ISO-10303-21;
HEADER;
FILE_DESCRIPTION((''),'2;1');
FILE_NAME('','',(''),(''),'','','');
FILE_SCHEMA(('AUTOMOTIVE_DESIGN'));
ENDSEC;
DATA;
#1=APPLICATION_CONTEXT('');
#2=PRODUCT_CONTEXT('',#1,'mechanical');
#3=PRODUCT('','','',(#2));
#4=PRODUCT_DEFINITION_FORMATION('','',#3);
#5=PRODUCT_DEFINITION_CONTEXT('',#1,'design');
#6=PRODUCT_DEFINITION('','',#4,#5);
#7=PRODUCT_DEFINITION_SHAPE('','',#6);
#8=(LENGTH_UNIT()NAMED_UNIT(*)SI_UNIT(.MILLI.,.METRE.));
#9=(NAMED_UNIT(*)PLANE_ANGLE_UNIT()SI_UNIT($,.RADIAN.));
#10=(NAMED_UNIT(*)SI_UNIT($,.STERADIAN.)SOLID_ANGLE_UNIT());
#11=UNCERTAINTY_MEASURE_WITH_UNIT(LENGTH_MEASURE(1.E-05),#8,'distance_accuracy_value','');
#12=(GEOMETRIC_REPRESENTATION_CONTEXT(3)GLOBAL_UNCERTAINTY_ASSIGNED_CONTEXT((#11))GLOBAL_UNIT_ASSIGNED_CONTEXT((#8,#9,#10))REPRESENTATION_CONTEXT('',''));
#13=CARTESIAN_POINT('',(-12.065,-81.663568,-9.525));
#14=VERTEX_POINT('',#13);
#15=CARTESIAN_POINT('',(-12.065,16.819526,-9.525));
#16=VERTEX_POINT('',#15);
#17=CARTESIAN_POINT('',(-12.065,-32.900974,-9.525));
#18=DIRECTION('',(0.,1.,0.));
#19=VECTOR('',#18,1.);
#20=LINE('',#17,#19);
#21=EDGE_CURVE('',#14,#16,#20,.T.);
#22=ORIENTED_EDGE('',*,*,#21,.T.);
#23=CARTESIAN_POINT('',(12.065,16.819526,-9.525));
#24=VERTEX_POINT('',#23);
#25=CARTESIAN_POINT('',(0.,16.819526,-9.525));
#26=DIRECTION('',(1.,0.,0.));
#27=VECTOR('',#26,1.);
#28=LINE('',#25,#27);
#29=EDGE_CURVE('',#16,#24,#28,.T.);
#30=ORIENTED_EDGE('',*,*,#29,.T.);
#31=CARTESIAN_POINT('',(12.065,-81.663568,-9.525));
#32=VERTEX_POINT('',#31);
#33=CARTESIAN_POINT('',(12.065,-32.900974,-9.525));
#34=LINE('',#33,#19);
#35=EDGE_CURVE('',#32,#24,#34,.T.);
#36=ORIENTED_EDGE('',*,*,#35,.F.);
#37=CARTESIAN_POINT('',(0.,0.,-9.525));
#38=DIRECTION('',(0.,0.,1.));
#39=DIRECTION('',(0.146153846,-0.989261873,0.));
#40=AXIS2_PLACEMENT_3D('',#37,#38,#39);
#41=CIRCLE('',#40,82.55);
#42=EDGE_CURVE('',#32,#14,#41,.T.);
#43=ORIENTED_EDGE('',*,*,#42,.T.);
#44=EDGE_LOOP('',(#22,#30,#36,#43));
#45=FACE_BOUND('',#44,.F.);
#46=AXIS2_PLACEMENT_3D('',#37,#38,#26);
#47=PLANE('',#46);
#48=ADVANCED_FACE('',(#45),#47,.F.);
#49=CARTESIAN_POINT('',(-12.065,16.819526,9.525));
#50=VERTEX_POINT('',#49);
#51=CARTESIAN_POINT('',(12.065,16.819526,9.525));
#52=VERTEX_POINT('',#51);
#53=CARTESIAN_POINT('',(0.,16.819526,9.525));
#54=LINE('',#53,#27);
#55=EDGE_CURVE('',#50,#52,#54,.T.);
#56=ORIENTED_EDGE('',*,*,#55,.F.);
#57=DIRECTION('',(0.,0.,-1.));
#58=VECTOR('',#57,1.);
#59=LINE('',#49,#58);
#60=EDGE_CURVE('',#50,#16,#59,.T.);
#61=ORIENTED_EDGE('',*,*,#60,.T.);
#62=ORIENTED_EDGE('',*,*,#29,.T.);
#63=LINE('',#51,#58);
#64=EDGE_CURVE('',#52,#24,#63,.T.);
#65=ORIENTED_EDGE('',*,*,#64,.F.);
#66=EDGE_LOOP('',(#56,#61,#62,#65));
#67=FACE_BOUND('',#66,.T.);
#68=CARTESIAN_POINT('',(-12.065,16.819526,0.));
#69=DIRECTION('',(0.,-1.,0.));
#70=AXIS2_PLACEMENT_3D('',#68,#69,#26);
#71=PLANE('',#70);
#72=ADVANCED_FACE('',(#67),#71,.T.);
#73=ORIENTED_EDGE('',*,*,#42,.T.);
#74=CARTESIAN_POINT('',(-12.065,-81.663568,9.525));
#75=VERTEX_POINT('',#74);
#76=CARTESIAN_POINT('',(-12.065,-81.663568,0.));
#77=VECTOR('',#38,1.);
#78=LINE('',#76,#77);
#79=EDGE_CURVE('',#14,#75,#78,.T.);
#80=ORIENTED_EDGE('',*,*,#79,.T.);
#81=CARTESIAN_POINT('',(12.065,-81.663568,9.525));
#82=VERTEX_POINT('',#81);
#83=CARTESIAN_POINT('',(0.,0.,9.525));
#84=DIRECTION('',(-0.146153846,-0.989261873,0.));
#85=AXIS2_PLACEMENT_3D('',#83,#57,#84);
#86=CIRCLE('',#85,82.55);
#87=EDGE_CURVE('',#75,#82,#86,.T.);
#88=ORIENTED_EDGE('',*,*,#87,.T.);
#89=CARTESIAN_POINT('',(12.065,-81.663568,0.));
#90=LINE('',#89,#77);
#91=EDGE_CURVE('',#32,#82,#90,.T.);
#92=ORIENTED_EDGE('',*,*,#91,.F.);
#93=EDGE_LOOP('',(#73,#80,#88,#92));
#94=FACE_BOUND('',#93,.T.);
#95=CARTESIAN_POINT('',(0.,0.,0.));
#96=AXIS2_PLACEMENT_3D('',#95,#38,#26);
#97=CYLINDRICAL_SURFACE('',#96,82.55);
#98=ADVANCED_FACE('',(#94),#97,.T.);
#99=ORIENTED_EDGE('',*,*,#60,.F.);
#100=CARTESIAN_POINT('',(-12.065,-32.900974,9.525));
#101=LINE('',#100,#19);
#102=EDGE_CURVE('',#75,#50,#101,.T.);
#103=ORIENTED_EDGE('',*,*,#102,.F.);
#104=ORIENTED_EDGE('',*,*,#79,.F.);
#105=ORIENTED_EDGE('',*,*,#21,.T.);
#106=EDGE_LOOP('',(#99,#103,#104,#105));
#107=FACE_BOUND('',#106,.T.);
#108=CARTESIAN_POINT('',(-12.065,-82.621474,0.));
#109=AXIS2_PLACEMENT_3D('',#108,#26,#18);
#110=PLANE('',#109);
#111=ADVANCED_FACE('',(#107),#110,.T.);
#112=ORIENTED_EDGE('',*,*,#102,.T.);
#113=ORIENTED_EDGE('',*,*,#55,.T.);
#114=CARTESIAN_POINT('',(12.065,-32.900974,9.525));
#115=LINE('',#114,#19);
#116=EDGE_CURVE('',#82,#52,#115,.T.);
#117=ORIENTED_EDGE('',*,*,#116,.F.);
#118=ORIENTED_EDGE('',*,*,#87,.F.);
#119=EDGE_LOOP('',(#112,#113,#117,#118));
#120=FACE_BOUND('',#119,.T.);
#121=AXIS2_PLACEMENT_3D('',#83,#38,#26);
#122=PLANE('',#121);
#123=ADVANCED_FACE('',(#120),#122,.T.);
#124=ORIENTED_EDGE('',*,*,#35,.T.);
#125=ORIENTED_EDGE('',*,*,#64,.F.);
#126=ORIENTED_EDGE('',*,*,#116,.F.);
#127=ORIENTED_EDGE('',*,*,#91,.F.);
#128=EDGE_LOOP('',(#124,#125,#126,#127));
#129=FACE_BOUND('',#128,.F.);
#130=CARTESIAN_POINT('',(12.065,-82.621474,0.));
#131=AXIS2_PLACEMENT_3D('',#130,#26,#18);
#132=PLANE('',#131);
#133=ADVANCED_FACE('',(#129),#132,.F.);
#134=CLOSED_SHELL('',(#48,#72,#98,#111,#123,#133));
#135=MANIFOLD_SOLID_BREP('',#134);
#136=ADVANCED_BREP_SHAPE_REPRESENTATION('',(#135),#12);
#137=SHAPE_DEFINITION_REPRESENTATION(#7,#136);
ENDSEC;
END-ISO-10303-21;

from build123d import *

# Parameters (mm, degrees)
F0_R     = 82.55
F1_DEPTH = 9.525
F2_W     = 24.13
F2_H     = 99.441
F3_DEPTH = 9.525


with BuildPart() as f1:
    # F0 (on Top) → F1 (new body, symmetric)
    with BuildSketch(Plane.XY):
        Circle(F0_R)
    extrude(amount=F1_DEPTH, both=True)

    # F2 (on Top) → F3 (cut, symmetric)
    with BuildSketch(Plane.XY):
        with Locations((0, -32.900974)):
            Rectangle(F2_W, F2_H)
    extrude(amount=F3_DEPTH, both=True, mode=Mode.SUBTRACT)


solid = f1.part
